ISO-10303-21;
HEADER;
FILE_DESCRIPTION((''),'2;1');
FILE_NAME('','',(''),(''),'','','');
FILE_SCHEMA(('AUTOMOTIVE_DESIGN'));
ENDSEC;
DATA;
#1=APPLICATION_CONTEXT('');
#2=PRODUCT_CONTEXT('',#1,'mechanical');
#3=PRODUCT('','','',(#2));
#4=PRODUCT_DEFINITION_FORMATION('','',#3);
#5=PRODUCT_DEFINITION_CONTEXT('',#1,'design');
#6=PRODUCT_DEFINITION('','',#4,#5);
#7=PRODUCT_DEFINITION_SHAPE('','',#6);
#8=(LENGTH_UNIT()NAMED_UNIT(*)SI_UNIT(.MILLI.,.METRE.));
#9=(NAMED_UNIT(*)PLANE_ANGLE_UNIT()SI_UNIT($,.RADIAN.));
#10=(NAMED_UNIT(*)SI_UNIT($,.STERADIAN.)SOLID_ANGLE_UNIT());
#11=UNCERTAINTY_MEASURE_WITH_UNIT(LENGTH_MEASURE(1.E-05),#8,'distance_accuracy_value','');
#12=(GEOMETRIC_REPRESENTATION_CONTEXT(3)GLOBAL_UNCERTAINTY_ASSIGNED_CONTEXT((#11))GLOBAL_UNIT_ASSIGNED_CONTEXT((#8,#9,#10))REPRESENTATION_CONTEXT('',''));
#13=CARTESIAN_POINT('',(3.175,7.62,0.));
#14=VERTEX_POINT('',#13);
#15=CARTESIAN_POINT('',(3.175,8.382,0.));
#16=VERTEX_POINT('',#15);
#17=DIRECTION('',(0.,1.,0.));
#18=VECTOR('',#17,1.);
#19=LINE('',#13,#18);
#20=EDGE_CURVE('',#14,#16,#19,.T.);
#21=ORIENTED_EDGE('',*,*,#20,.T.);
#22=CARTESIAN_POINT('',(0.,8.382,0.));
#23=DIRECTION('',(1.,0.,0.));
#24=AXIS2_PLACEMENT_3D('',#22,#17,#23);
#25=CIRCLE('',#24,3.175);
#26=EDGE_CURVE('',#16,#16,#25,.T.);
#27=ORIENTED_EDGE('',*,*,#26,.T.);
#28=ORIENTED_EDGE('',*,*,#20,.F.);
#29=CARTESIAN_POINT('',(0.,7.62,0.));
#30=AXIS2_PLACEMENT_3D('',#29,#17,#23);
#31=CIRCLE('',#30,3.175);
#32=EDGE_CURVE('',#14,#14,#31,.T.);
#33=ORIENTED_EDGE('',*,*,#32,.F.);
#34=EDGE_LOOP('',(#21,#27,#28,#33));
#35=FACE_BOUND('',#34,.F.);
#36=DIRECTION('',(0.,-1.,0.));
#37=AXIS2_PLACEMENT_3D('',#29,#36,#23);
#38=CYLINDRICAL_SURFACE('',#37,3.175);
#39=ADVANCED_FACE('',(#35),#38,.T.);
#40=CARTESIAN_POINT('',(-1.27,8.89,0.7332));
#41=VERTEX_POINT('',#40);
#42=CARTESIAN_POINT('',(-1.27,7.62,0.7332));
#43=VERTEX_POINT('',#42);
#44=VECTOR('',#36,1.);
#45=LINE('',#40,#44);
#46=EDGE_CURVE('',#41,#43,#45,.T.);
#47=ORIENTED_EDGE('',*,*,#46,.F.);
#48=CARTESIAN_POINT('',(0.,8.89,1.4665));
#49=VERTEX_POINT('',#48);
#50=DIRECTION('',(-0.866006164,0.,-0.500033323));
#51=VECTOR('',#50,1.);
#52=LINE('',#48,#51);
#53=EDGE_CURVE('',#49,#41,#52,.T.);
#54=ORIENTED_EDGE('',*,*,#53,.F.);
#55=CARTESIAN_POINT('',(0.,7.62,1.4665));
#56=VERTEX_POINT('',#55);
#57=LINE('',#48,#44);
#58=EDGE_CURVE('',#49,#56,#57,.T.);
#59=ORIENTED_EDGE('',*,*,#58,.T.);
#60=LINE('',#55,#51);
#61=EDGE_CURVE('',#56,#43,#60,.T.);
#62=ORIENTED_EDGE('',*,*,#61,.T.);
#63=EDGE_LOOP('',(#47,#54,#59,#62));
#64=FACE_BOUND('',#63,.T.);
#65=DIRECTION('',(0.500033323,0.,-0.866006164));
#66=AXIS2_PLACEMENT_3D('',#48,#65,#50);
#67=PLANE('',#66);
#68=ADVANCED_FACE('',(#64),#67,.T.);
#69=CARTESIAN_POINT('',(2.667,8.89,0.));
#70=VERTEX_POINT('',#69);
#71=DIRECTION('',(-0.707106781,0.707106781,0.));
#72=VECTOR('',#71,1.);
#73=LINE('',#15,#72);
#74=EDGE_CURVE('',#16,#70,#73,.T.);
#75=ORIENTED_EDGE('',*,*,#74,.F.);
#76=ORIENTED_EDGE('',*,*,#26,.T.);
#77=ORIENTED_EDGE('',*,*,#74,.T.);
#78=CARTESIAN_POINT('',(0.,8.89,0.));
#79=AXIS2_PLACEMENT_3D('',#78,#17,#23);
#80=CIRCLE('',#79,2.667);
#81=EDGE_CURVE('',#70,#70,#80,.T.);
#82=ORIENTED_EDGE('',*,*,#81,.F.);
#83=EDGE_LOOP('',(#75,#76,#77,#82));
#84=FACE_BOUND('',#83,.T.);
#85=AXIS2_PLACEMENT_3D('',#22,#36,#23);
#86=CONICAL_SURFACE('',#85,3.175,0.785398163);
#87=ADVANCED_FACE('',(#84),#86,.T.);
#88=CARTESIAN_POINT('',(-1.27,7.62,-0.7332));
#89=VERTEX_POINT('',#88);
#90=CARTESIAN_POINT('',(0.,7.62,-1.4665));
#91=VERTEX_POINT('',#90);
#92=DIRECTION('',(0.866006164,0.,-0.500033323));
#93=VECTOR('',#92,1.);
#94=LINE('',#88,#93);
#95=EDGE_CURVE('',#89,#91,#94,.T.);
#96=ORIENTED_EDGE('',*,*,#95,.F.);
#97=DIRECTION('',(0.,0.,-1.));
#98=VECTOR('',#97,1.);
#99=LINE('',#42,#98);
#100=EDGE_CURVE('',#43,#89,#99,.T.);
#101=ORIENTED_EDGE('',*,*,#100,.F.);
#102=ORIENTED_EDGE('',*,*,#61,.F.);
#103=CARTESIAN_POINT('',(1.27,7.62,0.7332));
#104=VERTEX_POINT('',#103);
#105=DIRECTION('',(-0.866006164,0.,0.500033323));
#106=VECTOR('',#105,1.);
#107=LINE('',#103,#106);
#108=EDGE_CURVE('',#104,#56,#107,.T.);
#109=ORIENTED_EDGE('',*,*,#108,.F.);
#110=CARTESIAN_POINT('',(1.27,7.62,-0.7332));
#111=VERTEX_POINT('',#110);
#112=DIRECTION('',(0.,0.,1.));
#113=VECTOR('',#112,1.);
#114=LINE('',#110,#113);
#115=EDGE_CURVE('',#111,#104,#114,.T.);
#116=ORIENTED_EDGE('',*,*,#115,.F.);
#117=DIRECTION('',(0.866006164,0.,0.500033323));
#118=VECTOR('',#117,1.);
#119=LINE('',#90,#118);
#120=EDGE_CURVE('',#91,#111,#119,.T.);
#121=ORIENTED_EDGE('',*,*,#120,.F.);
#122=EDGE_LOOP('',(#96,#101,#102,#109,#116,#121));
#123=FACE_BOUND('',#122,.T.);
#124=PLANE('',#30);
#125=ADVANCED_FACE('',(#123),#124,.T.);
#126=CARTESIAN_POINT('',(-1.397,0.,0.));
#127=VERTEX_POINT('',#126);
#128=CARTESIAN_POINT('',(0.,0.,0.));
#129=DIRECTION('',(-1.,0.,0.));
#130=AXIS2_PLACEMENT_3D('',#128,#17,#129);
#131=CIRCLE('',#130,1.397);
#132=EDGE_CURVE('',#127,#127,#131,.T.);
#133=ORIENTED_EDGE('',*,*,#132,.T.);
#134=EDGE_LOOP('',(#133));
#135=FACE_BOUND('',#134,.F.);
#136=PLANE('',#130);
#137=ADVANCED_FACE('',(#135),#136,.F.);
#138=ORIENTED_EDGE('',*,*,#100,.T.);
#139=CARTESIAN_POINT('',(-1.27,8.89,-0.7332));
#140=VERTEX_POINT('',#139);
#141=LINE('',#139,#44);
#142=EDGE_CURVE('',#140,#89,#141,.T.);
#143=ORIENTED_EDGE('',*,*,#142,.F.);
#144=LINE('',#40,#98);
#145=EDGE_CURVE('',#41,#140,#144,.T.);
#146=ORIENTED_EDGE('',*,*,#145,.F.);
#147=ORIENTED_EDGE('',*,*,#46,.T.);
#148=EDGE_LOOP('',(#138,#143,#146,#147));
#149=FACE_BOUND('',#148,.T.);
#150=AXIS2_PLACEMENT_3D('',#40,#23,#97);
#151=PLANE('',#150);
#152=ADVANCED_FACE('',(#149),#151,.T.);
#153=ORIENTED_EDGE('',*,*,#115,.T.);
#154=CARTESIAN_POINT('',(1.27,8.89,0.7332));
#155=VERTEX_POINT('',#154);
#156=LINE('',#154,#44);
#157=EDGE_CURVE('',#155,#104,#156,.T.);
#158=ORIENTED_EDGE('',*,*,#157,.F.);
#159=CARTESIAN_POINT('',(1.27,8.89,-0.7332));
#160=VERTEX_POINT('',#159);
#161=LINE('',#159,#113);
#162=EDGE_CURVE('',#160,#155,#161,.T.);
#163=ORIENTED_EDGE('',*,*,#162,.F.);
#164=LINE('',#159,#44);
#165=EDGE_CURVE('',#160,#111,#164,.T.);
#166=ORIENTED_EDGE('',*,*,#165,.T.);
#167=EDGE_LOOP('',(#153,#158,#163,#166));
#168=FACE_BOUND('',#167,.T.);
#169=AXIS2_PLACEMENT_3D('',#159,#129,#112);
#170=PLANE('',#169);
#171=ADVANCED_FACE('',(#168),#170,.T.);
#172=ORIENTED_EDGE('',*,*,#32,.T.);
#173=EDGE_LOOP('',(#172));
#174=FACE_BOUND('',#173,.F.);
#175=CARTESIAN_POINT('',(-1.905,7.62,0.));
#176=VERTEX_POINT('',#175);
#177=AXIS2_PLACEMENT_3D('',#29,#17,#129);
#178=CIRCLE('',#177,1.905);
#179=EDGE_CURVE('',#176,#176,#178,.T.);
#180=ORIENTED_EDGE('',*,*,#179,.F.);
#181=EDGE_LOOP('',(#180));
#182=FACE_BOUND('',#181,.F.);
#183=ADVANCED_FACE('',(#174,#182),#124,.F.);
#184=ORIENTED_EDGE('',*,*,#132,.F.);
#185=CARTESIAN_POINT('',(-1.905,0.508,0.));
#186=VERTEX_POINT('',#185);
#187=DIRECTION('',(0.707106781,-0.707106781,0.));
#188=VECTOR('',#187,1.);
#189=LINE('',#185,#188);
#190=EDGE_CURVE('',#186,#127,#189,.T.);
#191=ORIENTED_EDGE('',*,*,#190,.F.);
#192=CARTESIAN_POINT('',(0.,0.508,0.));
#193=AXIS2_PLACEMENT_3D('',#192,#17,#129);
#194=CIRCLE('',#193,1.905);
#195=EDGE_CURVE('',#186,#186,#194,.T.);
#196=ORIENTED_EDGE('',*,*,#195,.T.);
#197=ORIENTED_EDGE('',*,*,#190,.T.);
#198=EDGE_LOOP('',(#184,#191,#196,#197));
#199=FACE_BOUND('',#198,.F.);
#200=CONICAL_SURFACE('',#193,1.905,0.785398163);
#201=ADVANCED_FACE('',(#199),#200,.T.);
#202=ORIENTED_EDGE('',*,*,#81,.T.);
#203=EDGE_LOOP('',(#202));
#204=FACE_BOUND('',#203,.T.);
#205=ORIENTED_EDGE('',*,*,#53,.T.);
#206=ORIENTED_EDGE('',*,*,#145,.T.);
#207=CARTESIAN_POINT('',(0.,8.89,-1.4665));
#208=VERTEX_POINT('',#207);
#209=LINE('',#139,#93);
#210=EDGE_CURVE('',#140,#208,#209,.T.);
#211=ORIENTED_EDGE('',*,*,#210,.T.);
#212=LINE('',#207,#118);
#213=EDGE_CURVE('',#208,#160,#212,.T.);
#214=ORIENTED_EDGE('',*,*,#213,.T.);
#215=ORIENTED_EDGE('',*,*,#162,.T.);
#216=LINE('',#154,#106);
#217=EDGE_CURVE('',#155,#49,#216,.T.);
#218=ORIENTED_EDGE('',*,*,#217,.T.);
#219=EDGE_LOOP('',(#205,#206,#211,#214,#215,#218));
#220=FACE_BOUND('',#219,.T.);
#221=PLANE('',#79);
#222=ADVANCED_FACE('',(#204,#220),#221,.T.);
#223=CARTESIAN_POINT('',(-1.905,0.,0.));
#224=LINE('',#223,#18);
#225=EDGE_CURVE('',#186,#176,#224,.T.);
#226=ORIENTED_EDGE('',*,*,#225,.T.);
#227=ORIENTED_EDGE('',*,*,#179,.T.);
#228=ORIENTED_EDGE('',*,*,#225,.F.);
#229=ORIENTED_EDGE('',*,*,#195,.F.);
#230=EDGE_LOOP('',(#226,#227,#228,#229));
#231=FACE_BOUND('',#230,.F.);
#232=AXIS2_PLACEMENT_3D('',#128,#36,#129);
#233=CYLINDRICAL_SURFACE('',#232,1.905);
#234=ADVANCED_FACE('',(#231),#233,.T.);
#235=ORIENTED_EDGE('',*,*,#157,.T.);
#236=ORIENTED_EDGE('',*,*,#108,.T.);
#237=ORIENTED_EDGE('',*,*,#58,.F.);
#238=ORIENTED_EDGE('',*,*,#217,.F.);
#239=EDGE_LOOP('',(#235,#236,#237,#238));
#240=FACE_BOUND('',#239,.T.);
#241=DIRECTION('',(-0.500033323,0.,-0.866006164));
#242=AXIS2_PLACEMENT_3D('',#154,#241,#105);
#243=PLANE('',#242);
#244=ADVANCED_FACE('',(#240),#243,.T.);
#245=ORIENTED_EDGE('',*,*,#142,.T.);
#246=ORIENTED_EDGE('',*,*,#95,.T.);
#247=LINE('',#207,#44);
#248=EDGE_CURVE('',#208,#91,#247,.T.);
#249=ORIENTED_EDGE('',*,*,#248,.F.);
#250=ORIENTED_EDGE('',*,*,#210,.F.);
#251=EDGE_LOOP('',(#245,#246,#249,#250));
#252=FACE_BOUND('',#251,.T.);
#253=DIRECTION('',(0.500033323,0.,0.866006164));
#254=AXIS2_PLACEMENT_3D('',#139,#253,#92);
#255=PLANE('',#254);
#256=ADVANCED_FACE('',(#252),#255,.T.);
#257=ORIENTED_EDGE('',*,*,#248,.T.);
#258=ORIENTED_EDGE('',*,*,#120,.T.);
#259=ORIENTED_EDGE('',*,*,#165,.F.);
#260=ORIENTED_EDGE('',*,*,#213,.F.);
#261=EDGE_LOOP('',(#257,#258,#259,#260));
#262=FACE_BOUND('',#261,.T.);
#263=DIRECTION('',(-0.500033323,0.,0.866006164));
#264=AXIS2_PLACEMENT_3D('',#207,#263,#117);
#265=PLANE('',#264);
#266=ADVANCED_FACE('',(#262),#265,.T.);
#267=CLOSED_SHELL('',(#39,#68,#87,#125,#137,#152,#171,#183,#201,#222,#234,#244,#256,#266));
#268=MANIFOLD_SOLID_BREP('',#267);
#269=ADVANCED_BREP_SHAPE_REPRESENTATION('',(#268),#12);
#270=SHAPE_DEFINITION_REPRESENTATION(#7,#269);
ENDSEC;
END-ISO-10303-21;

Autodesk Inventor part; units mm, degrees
ref_plane "YZ Plane" through (0, 0, 0) normal (1, 0, 0) x (0, 1, 0)
ref_plane "XZ Plane" through (0, 0, 0) normal (0, 1, 0) x (-1, 0, 0)
ref_plane "XY Plane" through (0, 0, 0) normal (0, 0, 1) x (1, 0, 0)
sketch "Sketch1" plane through (0, 0, 0) normal (0, 1, 0) x (-1, 0, 0)
  point P0 (0, 0)
sketch "Sketch2" plane through (0, 0, 0) normal (0, 1, 0) x (-1, 0, 0)
  circle A0 centre (0, 0) radius 1.905
  dimension "d0" = 3.81
extrude "Extrusion1" add sketch "Sketch2" along normal blind 7.62
chamfer "Chamfer1" distance 0.508 angle 45 1 edges at (1.905, 0, 0)
sketch "Sketch3" plane through (0, 7.62, 0) normal (0, 1, 0) x (1, 0, 0)
  circle A0 centre (0, 0) radius 3.175
  dimension "d6" = 6.35
extrude "Extrusion2" add sketch "Sketch3" along normal blind 1.27
chamfer "Chamfer2" distance 0.508 angle 45 1 edges at (-3.175, 8.89, 0)
thread "Thread1" size "M1.6x0.35" class "6g" standard "ISO Metric profile" length 5.08
sketch "Sketch4" plane through (0, 8.89, 0) normal (0, 1, 0) x (1, 0, 0)
  line L0 (0, -1.4665) -> (-1.27, -0.7332)
  line L1 (-1.27, -0.7332) -> (-1.27, 0.7332)
  line L2 (-1.27, 0.7332) -> (0, 1.4665)
  line L3 (0, 1.4665) -> (1.27, 0.7332)
  line L4 (1.27, 0.7332) -> (1.27, -0.7332)
  line L5 (1.27, -0.7332) -> (0, -1.4665)
  point P0 (0, 0)
  point P1 (0, 0)
  dimension "d14" = 2.54
extrude "Extrusion3" cut sketch "Sketch4" against normal blind 1.27
properties part number "Train_003_PracticeBolt" material "Stainless Steel"
